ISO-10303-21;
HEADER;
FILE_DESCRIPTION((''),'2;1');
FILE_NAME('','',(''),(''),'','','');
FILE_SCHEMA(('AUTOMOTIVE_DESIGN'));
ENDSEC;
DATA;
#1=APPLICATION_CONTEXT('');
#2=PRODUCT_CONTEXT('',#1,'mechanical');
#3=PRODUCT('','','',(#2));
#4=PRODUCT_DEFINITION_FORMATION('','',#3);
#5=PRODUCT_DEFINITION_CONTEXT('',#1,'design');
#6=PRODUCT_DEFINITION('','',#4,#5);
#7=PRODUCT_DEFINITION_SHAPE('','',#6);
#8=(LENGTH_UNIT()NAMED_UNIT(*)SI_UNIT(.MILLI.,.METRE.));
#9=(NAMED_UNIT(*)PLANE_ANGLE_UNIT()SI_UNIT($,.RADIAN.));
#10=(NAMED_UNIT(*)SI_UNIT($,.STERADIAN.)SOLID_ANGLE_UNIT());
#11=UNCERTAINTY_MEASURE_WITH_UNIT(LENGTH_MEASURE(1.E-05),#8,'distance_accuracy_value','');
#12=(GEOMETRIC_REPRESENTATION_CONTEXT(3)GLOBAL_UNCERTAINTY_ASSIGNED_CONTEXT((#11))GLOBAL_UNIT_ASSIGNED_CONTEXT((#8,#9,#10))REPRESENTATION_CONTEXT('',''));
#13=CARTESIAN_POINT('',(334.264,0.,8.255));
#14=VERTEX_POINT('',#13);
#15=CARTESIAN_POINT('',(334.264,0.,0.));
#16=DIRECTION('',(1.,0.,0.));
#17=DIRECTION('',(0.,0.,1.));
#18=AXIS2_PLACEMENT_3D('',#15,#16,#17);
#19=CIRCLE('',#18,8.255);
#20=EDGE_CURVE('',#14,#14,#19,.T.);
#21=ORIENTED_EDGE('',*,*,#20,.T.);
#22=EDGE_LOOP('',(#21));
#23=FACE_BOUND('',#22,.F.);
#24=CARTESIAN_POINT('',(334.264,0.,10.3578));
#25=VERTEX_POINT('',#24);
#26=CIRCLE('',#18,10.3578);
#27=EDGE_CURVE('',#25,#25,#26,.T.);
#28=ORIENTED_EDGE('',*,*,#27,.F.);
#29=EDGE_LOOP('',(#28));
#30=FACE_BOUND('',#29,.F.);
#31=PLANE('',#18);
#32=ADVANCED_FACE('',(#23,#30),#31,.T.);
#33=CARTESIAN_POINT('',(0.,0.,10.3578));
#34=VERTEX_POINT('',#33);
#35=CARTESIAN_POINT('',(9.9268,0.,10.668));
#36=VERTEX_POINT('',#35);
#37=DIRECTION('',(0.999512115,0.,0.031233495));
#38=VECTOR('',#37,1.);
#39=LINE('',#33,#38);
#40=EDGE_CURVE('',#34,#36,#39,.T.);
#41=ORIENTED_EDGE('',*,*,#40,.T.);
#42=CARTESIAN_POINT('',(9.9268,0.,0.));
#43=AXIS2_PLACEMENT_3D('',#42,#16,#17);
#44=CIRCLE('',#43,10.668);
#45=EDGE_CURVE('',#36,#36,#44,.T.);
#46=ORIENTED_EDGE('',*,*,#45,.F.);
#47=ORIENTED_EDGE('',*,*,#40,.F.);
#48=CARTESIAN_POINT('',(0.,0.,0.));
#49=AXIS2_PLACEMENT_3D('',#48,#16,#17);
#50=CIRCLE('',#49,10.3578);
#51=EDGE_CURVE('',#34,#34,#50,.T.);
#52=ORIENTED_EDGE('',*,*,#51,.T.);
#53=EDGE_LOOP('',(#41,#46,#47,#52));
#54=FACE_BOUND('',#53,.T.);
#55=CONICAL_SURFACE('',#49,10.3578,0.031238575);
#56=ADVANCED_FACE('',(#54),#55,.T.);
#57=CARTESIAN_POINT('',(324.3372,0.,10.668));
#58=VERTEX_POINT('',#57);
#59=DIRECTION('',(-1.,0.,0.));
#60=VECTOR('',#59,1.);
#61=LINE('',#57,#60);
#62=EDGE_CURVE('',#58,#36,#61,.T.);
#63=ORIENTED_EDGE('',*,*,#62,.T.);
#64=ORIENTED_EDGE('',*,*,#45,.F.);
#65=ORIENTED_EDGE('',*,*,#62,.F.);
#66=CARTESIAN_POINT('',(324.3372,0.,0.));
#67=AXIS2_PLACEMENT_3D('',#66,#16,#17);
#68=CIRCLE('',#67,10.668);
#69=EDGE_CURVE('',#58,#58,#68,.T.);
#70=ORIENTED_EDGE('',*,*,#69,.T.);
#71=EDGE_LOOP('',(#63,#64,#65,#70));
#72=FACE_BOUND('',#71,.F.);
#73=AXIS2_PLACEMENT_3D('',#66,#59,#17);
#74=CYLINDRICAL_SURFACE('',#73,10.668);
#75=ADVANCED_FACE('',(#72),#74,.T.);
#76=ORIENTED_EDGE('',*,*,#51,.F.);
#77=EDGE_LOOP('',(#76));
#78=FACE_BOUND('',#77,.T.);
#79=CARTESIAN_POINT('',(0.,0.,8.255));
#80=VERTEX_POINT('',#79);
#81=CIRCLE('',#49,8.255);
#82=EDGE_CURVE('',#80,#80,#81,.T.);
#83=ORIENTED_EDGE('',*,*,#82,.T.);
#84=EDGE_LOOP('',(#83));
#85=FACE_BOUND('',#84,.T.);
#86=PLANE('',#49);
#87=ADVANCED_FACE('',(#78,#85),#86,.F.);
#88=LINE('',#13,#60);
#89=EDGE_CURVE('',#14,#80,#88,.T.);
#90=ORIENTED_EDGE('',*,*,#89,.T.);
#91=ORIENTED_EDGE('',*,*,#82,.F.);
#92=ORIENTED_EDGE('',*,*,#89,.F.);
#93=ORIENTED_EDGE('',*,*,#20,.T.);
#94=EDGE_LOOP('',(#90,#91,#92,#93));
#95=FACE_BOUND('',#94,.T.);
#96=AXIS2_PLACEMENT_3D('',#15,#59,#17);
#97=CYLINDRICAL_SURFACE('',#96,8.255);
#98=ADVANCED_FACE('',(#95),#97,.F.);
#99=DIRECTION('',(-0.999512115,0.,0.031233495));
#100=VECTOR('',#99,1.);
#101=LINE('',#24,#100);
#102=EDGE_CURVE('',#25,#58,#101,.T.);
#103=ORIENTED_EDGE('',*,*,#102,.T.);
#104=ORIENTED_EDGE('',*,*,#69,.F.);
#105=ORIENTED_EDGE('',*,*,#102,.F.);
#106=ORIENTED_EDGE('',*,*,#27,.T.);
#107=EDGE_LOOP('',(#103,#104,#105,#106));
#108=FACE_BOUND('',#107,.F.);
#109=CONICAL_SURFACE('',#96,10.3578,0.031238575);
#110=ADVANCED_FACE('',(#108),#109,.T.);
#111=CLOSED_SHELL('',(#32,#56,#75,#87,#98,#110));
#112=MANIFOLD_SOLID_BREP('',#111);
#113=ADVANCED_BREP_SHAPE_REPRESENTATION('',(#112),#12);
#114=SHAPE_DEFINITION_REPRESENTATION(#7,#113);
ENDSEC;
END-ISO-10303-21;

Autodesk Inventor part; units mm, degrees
ref_plane "YZ Plane" through (0, 0, 0) normal (1, 0, 0) x (0, 1, 0)
ref_plane "XZ Plane" through (0, 0, 0) normal (0, 1, 0) x (-1, 0, 0)
ref_plane "XY Plane" through (0, 0, 0) normal (0, 0, 1) x (1, 0, 0)
sketch "Sketch1" plane through (0, 0, 0) normal (0, 1, 0) x (-1, 0, 0)
  line L0 (0, 0) -> (-334.264, 0)
  line L1 (-334.264, 0) -> (-334.264, 8.255) construction
  line L2 (-334.264, 8.255) -> (-334.264, 10.3578)
  line L3 (-334.264, 10.3578) -> (-324.3372, 10.668)
  line L4 (-324.3372, 10.668) -> (-9.9268, 10.668)
  line L5 (-167.132, 0) -> (-167.132, 10.668) construction
  line L6 (-334.264, 8.255) -> (0, 8.255)
  line L7 (0, 0) -> (0, 8.255) construction
  line L8 (0, 8.255) -> (0, 10.3578)
  line L9 (0, 10.3578) -> (-9.9268, 10.668)
  line L10 (-320.708, 10.7814) -> (-320.708, 0) construction
  line L11 (-13.556, 10.7814) -> (-13.556, 0) construction
  line L12 (-324.3372, 10.668) -> (-320.708, 10.7814) construction
  line L13 (-324.3372, 10.668) -> (-324.3372, 0) construction
  line L14 (-9.9268, 10.668) -> (-13.556, 10.7814) construction
  line L15 (-9.9268, 10.668) -> (-9.9268, 0) construction
  dimension "d0" = 21.336
  dimension "d1" = 1.79
  dimension "d2" = 16.51
  dimension "d3" = 334.264
  dimension "d4" = 13.556
  dimension "d5" = 21.5628
revolve "Revolution1" add sketch "Sketch1" angle 360 about axis through (0, 0, 0) along (1, 0, 0)
thread "Thread1" size "1/2" designation "1/2 - 14 NPT" standard "NPT" full length
thread "Thread2" size "1/2" designation "1/2 - 14 NPT" standard "NPT" full length
equation "\"d0\" = OD"
equation "\"d2\" = ID"
equation "\"d3\" = L"
equation "\"d4\" = L2"
equation "\"d5\" = D2"
equation "\"OD\" = 21.336"
equation "\"t\" = 2.413"
equation "\"L\" = PL"
equation "\"L4\" = 19.8501"
equation "\"ID\" = 16.51"
equation "\"PL\" = 334.264"
equation "\"D2\" = 21.56282"
equation "\"L2\" = 13.55598"
equation "\"Size_Designation\" = 1.2345"
equation "\"PLmin\" = 2 * L2"
properties material "Steel, Wrought"
